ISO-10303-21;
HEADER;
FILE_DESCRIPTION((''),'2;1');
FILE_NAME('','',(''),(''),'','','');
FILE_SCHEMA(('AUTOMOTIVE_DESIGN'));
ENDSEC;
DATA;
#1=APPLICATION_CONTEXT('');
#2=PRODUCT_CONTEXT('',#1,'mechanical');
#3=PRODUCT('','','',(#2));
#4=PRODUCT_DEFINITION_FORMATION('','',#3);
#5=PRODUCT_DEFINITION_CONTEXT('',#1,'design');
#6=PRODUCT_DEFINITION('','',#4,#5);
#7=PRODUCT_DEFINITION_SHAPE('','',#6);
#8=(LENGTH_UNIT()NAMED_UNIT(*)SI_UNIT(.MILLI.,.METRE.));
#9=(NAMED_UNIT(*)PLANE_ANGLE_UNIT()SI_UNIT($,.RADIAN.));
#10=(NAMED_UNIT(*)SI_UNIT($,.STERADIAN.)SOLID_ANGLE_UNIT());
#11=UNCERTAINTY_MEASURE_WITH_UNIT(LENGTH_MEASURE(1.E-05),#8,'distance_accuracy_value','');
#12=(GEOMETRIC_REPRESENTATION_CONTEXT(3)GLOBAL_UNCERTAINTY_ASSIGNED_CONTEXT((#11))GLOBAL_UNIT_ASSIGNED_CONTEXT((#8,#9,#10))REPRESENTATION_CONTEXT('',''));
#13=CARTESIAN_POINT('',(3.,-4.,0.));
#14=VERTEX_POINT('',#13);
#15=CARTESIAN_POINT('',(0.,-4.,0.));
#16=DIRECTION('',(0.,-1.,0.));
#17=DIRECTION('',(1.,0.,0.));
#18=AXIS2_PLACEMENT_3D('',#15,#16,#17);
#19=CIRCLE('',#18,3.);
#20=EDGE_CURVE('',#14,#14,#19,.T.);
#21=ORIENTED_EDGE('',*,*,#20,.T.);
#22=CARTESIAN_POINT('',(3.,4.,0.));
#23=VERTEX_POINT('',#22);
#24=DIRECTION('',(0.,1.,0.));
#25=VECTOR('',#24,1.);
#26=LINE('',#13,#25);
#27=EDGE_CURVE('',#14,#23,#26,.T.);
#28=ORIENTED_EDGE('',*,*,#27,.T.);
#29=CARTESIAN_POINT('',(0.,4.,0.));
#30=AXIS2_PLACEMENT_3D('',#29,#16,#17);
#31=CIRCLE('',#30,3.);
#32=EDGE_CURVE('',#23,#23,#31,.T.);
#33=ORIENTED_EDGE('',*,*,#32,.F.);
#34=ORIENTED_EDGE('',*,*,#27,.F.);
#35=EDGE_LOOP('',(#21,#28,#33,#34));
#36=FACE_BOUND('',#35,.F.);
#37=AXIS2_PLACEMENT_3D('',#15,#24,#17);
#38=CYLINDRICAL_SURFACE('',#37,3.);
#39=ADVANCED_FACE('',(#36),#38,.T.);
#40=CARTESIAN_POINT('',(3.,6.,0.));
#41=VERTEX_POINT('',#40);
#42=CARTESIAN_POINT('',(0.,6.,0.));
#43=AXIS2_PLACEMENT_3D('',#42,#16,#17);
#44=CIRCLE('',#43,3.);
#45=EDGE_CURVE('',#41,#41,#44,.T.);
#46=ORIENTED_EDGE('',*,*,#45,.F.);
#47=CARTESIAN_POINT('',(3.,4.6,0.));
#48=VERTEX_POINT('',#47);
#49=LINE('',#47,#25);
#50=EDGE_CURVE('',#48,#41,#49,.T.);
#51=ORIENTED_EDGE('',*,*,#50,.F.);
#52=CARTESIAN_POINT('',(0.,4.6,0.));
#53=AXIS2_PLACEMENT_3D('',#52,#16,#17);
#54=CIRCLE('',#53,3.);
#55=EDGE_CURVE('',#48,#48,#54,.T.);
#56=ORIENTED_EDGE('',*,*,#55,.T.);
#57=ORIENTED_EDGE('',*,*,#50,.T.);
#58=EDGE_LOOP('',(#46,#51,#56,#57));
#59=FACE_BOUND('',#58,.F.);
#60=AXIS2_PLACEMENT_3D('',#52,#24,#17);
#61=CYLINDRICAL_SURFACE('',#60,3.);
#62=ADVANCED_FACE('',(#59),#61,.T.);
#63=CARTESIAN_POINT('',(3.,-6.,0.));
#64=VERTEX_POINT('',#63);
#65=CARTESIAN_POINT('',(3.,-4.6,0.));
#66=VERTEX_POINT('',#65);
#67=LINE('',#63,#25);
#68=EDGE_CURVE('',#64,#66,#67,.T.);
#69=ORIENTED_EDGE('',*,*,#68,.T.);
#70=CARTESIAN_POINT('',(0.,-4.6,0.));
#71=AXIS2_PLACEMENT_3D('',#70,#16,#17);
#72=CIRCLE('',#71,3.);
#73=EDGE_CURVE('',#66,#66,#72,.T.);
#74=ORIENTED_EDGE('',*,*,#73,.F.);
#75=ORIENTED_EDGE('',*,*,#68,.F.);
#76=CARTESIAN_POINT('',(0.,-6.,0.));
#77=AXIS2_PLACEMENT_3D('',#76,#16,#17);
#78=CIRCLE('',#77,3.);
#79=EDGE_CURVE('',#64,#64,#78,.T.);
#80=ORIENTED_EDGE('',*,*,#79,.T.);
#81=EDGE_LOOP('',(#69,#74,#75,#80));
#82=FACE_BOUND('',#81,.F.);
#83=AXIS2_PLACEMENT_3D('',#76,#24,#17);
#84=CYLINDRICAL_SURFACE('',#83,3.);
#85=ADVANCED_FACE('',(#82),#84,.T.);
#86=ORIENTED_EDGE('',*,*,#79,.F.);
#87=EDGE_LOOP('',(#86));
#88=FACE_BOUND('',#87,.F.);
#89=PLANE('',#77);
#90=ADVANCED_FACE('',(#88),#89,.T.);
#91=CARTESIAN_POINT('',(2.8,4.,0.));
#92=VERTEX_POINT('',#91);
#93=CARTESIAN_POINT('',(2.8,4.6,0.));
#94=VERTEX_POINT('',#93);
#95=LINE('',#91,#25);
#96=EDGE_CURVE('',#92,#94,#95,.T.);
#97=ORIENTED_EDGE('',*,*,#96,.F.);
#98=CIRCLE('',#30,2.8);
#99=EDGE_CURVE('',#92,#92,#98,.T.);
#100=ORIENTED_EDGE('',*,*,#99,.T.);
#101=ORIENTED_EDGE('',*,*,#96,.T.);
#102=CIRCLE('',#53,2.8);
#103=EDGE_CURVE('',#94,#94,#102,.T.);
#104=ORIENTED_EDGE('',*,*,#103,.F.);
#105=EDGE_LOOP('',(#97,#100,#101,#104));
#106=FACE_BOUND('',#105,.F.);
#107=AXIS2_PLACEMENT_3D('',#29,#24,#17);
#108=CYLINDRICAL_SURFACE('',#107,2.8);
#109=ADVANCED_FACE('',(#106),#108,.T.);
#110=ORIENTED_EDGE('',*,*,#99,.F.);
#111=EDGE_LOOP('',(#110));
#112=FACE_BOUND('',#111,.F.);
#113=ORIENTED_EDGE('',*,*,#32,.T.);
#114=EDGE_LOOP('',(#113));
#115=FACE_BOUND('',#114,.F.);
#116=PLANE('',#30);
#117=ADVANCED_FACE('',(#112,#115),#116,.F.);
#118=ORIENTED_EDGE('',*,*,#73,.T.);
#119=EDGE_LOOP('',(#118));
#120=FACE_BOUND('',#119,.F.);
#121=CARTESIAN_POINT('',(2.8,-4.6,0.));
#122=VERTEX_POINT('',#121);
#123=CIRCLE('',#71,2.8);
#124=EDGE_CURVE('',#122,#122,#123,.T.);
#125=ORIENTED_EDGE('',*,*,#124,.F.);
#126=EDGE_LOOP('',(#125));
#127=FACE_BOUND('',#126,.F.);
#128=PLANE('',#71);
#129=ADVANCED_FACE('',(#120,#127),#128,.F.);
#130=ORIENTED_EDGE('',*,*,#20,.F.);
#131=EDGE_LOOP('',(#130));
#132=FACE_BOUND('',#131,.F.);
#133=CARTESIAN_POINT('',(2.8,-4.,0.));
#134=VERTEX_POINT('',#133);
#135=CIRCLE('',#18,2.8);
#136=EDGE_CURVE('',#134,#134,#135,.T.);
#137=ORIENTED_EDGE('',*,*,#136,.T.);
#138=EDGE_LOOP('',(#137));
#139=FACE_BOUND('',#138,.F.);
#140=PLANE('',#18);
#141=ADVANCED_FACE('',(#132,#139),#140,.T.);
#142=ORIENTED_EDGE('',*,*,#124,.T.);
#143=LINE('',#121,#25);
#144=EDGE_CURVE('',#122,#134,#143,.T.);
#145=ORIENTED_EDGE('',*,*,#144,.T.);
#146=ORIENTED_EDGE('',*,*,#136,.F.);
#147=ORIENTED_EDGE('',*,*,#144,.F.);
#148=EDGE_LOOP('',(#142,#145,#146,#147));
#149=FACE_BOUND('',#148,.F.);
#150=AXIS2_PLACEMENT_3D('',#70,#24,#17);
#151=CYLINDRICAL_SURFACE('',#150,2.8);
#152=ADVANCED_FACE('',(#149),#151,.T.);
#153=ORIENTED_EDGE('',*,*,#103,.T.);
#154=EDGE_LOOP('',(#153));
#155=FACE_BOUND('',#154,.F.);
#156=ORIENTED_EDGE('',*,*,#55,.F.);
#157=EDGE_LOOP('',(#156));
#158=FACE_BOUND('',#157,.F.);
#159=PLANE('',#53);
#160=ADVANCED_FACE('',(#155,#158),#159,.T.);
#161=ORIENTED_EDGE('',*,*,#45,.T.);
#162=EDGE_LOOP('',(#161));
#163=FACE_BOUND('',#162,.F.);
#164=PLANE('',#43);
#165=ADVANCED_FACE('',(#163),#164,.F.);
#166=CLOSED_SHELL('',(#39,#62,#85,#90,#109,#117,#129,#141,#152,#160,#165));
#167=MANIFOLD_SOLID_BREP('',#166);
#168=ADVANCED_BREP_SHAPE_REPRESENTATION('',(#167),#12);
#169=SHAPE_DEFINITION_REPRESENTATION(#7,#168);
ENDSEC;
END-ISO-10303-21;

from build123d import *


with BuildPart() as part:
    # 草图1 → 旋转1 (revolve)
    with BuildSketch(Plane.XY):
        Polygon((0, -6), (3, -6), (3, -4.6), (2.8, -4.6), (2.8, -4), (3, -4), (3, 4), (2.8, 4), (2.8, 4.6), (3, 4.6), (3, 6), (0, 6), align=None)
    revolve(axis=Axis((0, 6, 0), (0, -1, 0)))


solid = part.part
